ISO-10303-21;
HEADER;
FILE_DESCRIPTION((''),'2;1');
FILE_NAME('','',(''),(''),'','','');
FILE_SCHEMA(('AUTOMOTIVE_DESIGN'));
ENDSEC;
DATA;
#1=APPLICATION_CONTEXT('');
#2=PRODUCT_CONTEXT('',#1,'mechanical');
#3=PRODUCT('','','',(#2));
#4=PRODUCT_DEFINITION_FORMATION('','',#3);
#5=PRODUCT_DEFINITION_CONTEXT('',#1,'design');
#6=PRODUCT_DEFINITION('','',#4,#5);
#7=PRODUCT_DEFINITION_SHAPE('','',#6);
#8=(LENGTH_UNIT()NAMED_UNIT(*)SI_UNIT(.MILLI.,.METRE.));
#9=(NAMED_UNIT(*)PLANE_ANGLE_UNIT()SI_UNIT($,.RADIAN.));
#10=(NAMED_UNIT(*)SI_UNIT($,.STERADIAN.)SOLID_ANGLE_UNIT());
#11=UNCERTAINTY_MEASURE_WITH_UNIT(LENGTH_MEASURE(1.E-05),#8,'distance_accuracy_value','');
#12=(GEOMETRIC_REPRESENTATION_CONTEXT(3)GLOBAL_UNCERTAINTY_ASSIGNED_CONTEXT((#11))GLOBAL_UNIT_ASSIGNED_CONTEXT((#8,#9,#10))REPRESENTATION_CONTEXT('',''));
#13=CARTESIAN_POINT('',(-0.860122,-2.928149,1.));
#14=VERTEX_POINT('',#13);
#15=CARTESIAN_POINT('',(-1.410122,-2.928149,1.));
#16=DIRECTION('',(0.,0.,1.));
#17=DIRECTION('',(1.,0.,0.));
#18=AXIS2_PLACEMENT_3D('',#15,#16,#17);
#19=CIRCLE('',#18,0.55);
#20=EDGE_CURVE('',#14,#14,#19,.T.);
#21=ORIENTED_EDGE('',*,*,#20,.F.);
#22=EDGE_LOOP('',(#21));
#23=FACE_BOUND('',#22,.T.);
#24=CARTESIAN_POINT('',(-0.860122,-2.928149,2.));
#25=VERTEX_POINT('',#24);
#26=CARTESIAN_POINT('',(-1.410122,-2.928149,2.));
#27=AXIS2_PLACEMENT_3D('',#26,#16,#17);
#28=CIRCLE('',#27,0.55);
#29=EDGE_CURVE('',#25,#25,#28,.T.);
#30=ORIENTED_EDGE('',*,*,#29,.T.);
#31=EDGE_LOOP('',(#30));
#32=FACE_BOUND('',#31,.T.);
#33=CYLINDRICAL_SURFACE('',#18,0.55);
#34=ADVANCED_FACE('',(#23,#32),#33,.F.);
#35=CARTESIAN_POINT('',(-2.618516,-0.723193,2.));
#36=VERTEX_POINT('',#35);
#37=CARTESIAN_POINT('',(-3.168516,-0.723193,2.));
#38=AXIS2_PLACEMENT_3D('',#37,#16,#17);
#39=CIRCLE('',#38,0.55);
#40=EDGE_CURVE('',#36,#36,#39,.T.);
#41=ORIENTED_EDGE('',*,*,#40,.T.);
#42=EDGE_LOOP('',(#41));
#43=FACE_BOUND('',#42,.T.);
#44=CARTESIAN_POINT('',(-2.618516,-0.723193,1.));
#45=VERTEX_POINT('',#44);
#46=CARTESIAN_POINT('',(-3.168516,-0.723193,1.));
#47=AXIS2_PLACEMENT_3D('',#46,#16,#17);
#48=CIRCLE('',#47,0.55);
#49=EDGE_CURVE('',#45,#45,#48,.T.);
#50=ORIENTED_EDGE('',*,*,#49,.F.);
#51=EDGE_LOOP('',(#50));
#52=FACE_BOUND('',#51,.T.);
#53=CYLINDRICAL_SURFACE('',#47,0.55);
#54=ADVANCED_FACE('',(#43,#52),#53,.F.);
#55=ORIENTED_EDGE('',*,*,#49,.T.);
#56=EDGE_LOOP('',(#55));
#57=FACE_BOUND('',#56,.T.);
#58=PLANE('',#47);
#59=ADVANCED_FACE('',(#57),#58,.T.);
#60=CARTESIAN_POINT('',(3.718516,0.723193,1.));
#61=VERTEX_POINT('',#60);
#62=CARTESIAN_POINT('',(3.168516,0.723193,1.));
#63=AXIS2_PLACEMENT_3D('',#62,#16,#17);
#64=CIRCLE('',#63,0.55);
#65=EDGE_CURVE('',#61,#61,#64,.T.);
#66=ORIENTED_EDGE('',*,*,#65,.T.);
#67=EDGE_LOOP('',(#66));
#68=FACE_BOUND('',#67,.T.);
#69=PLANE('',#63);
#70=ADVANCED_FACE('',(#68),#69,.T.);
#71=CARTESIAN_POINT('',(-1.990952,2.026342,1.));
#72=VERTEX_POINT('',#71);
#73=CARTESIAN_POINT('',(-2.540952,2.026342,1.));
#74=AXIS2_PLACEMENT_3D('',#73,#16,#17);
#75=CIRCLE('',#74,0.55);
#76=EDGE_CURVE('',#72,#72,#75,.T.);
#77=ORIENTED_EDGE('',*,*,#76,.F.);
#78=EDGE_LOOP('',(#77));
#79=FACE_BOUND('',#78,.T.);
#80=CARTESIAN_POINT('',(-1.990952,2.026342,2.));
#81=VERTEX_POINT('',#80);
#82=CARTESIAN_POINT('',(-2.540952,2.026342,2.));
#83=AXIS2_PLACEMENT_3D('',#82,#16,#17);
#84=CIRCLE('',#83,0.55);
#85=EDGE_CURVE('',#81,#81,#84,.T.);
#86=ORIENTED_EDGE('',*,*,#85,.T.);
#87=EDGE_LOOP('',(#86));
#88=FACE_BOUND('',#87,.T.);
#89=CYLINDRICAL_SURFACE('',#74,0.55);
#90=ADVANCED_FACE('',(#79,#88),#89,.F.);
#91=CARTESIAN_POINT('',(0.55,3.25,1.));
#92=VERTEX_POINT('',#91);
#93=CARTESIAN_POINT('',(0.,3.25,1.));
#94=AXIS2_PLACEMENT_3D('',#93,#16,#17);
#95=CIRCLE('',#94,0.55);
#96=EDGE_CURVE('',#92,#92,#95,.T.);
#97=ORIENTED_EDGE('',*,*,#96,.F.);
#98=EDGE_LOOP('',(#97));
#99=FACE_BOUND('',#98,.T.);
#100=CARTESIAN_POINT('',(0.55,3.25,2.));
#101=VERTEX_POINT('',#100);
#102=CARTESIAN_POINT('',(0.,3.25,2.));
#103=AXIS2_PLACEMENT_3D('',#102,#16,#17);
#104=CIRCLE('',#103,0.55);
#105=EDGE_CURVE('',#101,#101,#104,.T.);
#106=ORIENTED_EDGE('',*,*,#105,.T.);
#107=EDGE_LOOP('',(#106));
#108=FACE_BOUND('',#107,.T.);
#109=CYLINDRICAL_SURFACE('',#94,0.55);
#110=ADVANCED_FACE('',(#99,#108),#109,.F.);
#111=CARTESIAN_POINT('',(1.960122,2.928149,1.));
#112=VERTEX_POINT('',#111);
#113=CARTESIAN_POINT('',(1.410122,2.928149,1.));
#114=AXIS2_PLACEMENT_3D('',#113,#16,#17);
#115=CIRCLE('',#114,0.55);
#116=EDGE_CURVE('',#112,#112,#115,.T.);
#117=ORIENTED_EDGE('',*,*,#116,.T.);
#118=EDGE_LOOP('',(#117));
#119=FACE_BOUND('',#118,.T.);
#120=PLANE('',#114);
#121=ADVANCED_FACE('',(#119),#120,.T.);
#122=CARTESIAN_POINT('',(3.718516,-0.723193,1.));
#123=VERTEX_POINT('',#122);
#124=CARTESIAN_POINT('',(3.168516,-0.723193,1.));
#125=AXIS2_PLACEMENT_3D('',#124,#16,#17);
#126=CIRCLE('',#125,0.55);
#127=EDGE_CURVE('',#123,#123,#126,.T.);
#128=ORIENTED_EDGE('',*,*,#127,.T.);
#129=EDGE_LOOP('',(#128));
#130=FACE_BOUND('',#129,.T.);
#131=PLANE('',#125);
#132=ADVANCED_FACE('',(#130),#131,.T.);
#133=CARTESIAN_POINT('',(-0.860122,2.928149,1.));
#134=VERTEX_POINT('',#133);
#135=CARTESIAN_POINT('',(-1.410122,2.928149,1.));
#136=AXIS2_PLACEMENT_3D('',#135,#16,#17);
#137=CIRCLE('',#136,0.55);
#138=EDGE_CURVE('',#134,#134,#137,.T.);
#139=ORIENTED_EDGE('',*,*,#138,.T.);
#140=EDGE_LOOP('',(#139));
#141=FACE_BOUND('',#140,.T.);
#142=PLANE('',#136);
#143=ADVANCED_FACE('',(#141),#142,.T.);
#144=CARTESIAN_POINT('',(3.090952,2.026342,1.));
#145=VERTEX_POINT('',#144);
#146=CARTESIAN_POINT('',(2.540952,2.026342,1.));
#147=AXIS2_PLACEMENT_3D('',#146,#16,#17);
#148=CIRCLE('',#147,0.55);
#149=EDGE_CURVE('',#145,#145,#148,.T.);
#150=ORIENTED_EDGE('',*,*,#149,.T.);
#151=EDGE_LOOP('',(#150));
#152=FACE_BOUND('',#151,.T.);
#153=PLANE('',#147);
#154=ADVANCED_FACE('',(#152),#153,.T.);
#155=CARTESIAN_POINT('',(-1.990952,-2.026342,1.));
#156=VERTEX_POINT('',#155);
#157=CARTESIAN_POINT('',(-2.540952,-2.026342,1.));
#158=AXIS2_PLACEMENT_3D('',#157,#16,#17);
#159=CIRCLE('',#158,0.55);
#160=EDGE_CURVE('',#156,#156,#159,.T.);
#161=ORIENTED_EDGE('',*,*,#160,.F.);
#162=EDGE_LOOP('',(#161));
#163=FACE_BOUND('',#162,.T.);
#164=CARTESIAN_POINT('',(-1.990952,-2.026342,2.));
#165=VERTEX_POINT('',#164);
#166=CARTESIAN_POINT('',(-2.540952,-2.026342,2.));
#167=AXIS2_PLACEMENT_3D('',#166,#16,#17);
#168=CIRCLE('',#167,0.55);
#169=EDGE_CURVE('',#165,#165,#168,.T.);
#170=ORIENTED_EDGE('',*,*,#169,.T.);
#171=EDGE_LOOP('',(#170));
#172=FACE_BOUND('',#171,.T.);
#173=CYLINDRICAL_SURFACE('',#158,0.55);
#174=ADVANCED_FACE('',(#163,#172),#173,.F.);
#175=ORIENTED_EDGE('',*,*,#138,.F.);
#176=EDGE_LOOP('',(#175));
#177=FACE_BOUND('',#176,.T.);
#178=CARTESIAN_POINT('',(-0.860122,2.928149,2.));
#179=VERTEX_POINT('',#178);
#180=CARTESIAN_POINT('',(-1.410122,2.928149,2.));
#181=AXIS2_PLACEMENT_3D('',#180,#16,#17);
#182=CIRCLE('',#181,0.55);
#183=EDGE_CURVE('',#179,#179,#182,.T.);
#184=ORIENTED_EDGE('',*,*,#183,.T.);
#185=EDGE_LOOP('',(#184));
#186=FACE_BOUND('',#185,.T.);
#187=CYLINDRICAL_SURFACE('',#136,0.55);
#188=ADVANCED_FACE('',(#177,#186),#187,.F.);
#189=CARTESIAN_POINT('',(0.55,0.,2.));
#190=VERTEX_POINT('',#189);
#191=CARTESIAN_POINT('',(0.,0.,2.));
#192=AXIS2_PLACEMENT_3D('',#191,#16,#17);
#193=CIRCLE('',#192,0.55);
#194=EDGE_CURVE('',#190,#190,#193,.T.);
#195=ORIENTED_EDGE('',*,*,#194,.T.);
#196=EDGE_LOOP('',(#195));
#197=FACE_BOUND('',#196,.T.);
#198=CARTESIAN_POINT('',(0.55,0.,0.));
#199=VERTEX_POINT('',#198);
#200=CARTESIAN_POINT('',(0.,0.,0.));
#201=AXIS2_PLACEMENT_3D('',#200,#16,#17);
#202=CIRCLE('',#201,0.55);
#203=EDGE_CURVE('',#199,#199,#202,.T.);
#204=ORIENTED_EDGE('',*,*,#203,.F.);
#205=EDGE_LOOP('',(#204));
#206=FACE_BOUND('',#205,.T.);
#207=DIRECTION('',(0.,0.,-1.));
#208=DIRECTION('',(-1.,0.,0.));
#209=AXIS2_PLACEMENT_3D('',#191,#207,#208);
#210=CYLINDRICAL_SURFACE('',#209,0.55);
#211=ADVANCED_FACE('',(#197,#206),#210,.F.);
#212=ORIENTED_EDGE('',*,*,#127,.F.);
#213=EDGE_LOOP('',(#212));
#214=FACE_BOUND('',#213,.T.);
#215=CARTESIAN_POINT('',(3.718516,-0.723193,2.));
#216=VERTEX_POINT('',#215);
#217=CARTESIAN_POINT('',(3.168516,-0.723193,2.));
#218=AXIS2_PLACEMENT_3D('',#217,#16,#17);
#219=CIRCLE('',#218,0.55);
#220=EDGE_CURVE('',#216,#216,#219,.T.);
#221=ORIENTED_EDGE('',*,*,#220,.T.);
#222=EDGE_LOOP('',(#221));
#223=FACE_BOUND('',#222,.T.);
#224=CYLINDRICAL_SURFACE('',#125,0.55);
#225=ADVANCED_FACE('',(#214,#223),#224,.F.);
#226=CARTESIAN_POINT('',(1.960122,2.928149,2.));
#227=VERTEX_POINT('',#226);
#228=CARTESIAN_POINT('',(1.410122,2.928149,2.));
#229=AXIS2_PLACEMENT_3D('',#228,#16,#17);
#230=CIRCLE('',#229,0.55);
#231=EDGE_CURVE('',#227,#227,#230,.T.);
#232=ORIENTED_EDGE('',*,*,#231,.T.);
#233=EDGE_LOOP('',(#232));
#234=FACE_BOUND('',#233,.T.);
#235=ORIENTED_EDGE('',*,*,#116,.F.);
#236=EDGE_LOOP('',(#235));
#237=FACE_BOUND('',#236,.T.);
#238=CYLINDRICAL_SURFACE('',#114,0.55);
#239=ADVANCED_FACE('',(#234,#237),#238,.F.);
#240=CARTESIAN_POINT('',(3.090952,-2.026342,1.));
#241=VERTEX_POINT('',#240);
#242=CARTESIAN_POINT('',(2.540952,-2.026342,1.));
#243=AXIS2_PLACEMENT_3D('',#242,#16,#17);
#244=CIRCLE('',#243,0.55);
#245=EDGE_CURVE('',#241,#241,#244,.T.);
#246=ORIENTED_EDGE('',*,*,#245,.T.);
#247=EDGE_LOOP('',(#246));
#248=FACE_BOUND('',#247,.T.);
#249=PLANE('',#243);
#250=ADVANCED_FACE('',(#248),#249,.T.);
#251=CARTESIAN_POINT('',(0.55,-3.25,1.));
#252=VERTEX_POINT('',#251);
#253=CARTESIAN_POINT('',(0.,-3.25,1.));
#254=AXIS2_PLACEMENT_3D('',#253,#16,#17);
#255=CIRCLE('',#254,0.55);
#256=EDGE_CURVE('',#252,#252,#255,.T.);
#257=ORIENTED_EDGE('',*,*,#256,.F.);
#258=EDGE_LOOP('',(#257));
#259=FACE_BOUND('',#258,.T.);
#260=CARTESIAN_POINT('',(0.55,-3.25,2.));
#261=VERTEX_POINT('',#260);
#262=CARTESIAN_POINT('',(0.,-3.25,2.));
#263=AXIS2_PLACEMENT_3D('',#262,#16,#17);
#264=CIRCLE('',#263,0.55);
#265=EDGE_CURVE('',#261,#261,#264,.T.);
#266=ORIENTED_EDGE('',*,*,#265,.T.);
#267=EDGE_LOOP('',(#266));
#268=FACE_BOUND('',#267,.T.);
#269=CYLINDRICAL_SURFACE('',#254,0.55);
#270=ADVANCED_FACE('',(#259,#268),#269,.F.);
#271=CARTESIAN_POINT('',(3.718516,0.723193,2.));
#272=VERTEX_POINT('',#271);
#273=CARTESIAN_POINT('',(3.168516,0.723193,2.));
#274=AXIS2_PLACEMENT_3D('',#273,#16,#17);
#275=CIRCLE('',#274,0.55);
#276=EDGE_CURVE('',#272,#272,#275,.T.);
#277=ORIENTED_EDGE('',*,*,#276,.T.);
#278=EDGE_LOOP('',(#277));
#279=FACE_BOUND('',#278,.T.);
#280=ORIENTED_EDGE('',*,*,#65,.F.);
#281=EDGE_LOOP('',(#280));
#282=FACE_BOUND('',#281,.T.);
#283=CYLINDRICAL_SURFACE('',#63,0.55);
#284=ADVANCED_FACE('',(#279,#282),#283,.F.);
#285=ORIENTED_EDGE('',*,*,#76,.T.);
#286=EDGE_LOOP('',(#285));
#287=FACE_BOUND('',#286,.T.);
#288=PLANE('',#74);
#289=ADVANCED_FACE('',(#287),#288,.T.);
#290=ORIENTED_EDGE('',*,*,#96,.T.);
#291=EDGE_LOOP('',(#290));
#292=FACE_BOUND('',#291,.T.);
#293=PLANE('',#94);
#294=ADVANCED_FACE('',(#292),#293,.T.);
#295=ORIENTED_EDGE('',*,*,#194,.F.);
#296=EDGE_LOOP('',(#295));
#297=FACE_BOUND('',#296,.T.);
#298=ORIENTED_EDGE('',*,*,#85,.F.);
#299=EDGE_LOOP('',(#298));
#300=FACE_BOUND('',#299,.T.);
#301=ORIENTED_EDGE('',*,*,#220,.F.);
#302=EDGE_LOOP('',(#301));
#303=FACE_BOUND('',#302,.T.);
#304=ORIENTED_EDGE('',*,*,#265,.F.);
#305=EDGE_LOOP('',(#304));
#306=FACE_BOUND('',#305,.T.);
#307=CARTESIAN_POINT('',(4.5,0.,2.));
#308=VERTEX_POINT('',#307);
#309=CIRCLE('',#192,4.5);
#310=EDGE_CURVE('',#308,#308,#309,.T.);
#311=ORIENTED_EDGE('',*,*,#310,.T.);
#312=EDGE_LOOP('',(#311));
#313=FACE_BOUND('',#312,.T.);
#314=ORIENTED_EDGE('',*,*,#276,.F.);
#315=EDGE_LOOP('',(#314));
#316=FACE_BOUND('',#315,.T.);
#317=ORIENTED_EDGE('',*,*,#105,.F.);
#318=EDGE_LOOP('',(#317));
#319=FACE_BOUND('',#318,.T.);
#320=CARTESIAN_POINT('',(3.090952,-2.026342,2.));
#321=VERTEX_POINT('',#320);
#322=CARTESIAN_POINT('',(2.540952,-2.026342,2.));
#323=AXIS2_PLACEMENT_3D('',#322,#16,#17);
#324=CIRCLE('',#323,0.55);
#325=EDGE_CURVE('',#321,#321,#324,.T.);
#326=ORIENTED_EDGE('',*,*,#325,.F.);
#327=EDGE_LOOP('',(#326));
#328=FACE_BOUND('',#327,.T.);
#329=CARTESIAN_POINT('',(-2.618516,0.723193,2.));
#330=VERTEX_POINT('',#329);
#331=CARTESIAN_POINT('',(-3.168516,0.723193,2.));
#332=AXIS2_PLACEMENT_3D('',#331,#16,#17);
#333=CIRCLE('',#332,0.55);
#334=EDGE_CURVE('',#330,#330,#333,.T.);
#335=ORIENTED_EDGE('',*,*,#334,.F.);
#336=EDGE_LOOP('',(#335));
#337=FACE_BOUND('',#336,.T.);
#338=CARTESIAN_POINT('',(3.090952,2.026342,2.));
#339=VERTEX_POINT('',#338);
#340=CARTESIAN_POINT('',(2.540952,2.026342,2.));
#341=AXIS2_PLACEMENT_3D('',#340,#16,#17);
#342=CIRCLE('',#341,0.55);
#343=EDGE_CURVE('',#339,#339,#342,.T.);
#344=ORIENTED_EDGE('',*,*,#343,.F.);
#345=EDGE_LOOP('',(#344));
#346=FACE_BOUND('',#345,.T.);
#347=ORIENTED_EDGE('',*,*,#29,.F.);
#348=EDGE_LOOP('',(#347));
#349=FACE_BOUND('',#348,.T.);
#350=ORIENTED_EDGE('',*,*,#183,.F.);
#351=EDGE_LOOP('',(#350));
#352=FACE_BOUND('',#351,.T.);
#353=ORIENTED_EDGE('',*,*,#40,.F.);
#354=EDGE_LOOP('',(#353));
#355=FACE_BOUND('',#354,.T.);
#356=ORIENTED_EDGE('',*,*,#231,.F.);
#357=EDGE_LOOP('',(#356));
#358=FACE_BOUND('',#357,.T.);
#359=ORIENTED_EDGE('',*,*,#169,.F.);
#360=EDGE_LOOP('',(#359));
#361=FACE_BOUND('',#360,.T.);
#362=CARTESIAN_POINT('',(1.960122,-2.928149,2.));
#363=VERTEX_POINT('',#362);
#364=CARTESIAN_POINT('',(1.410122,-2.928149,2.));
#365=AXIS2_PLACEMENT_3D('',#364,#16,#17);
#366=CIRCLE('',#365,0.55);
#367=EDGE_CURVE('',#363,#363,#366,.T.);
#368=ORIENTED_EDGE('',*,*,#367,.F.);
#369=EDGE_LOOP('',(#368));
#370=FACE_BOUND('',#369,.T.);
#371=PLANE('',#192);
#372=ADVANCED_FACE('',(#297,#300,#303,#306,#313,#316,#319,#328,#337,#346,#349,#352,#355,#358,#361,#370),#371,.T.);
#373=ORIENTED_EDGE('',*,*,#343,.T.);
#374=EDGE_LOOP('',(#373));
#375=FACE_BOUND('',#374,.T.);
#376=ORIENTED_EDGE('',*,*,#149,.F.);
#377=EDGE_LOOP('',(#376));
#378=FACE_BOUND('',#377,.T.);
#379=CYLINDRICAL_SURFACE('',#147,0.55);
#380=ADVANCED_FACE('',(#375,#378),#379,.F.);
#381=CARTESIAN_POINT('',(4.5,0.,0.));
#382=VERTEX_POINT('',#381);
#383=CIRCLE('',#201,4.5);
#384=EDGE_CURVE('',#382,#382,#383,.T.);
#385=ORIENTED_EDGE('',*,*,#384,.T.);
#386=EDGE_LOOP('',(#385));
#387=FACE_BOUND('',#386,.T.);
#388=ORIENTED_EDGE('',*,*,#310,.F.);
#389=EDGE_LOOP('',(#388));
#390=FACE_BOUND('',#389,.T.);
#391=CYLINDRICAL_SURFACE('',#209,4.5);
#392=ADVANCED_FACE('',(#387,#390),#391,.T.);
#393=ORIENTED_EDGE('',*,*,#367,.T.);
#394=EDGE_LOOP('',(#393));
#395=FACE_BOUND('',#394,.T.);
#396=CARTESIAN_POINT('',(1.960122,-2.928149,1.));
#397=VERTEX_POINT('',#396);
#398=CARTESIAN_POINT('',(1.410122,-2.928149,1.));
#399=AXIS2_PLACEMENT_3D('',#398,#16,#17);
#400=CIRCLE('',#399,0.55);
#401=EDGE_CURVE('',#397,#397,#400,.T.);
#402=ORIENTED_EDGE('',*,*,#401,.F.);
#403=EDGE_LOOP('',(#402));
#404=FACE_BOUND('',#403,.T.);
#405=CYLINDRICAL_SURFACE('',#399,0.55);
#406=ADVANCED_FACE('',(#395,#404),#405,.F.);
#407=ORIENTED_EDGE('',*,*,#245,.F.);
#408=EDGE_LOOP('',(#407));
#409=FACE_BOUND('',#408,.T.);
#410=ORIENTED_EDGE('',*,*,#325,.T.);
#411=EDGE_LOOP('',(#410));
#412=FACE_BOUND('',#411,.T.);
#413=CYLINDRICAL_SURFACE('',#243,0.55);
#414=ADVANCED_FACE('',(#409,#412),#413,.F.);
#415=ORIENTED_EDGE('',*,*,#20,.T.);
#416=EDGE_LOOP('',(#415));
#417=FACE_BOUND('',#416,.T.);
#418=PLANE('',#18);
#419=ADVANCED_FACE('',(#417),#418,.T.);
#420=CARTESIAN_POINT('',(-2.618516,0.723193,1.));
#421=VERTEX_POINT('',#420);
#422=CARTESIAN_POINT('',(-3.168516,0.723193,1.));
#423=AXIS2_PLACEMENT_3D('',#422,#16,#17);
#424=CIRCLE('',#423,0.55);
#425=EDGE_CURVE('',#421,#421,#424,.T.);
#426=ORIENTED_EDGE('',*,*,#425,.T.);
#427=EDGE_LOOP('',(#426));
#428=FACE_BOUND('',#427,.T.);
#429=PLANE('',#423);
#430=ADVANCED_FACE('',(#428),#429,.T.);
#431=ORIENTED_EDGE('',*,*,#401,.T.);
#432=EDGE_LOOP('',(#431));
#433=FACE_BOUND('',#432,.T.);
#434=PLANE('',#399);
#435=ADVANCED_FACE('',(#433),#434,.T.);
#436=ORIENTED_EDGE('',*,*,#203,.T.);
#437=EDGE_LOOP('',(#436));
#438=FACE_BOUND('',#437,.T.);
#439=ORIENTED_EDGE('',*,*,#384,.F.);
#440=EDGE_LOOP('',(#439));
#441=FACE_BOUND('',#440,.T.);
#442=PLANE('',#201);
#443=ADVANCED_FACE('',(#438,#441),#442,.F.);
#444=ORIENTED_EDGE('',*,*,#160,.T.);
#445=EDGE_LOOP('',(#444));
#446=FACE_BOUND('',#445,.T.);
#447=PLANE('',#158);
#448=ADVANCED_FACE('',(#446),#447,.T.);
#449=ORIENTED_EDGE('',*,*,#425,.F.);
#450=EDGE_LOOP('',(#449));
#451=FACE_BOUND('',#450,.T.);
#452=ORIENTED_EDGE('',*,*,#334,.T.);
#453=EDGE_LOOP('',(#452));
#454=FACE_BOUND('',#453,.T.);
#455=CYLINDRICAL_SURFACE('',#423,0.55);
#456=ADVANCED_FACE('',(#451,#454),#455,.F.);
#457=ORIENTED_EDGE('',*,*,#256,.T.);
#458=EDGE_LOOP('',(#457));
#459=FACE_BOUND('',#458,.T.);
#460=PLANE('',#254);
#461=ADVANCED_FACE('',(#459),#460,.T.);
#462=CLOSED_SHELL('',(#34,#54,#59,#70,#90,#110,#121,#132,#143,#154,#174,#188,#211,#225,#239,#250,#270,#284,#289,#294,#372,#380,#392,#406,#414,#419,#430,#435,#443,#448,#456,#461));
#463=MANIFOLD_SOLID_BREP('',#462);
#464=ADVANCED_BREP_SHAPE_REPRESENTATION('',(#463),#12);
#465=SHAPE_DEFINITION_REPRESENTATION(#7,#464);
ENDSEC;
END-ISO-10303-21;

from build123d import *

# Parameters (mm, degrees)
SZKIC1_R                    = 4.5
SZKIC1_R_2                  = 0.55
DODANIE_WYCI_GNI_CIE1_DEPTH = 2
SZKIC2_R                    = 0.55
WYTNIJ_WYCI_GNI_CIE1_DEPTH  = 1


with BuildPart() as part:
    # Szkic1 → Dodanie-wyciągnięcie1 (new body)
    with BuildSketch(Plane.XY):
        Circle(SZKIC1_R)
        Circle(SZKIC1_R_2, mode=Mode.SUBTRACT)
    extrude(amount=DODANIE_WYCI_GNI_CIE1_DEPTH)

    # Szkic2 → Wytnij-wyciągnięcie1 (cut)
    with BuildSketch(Plane.XY.offset(2)):
        with Locations((0, 3.25)):
            Circle(SZKIC2_R)
        with Locations((1.410122152, 2.928148821)):
            Circle(SZKIC2_R)
        with Locations((2.540952318, 2.026341856)):
            Circle(SZKIC2_R)
        with Locations((3.168515715, 0.723193035)):
            Circle(SZKIC2_R)
        with Locations((3.168515715, -0.723193035)):
            Circle(SZKIC2_R)
        with Locations((2.540952318, -2.026341856)):
            Circle(SZKIC2_R)
        with Locations((1.410122152, -2.928148821)):
            Circle(SZKIC2_R)
        with Locations((0, -3.25)):
            Circle(SZKIC2_R)
        with Locations((-1.410122152, -2.928148821)):
            Circle(SZKIC2_R)
        with Locations((-2.540952318, -2.026341856)):
            Circle(SZKIC2_R)
        with Locations((-3.168515715, -0.723193035)):
            Circle(SZKIC2_R)
        with Locations((-3.168515715, 0.723193035)):
            Circle(SZKIC2_R)
        with Locations((-2.540952318, 2.026341856)):
            Circle(SZKIC2_R)
        with Locations((-1.410122152, 2.928148821)):
            Circle(SZKIC2_R)
    extrude(amount=-WYTNIJ_WYCI_GNI_CIE1_DEPTH, mode=Mode.SUBTRACT)


solid = part.part
